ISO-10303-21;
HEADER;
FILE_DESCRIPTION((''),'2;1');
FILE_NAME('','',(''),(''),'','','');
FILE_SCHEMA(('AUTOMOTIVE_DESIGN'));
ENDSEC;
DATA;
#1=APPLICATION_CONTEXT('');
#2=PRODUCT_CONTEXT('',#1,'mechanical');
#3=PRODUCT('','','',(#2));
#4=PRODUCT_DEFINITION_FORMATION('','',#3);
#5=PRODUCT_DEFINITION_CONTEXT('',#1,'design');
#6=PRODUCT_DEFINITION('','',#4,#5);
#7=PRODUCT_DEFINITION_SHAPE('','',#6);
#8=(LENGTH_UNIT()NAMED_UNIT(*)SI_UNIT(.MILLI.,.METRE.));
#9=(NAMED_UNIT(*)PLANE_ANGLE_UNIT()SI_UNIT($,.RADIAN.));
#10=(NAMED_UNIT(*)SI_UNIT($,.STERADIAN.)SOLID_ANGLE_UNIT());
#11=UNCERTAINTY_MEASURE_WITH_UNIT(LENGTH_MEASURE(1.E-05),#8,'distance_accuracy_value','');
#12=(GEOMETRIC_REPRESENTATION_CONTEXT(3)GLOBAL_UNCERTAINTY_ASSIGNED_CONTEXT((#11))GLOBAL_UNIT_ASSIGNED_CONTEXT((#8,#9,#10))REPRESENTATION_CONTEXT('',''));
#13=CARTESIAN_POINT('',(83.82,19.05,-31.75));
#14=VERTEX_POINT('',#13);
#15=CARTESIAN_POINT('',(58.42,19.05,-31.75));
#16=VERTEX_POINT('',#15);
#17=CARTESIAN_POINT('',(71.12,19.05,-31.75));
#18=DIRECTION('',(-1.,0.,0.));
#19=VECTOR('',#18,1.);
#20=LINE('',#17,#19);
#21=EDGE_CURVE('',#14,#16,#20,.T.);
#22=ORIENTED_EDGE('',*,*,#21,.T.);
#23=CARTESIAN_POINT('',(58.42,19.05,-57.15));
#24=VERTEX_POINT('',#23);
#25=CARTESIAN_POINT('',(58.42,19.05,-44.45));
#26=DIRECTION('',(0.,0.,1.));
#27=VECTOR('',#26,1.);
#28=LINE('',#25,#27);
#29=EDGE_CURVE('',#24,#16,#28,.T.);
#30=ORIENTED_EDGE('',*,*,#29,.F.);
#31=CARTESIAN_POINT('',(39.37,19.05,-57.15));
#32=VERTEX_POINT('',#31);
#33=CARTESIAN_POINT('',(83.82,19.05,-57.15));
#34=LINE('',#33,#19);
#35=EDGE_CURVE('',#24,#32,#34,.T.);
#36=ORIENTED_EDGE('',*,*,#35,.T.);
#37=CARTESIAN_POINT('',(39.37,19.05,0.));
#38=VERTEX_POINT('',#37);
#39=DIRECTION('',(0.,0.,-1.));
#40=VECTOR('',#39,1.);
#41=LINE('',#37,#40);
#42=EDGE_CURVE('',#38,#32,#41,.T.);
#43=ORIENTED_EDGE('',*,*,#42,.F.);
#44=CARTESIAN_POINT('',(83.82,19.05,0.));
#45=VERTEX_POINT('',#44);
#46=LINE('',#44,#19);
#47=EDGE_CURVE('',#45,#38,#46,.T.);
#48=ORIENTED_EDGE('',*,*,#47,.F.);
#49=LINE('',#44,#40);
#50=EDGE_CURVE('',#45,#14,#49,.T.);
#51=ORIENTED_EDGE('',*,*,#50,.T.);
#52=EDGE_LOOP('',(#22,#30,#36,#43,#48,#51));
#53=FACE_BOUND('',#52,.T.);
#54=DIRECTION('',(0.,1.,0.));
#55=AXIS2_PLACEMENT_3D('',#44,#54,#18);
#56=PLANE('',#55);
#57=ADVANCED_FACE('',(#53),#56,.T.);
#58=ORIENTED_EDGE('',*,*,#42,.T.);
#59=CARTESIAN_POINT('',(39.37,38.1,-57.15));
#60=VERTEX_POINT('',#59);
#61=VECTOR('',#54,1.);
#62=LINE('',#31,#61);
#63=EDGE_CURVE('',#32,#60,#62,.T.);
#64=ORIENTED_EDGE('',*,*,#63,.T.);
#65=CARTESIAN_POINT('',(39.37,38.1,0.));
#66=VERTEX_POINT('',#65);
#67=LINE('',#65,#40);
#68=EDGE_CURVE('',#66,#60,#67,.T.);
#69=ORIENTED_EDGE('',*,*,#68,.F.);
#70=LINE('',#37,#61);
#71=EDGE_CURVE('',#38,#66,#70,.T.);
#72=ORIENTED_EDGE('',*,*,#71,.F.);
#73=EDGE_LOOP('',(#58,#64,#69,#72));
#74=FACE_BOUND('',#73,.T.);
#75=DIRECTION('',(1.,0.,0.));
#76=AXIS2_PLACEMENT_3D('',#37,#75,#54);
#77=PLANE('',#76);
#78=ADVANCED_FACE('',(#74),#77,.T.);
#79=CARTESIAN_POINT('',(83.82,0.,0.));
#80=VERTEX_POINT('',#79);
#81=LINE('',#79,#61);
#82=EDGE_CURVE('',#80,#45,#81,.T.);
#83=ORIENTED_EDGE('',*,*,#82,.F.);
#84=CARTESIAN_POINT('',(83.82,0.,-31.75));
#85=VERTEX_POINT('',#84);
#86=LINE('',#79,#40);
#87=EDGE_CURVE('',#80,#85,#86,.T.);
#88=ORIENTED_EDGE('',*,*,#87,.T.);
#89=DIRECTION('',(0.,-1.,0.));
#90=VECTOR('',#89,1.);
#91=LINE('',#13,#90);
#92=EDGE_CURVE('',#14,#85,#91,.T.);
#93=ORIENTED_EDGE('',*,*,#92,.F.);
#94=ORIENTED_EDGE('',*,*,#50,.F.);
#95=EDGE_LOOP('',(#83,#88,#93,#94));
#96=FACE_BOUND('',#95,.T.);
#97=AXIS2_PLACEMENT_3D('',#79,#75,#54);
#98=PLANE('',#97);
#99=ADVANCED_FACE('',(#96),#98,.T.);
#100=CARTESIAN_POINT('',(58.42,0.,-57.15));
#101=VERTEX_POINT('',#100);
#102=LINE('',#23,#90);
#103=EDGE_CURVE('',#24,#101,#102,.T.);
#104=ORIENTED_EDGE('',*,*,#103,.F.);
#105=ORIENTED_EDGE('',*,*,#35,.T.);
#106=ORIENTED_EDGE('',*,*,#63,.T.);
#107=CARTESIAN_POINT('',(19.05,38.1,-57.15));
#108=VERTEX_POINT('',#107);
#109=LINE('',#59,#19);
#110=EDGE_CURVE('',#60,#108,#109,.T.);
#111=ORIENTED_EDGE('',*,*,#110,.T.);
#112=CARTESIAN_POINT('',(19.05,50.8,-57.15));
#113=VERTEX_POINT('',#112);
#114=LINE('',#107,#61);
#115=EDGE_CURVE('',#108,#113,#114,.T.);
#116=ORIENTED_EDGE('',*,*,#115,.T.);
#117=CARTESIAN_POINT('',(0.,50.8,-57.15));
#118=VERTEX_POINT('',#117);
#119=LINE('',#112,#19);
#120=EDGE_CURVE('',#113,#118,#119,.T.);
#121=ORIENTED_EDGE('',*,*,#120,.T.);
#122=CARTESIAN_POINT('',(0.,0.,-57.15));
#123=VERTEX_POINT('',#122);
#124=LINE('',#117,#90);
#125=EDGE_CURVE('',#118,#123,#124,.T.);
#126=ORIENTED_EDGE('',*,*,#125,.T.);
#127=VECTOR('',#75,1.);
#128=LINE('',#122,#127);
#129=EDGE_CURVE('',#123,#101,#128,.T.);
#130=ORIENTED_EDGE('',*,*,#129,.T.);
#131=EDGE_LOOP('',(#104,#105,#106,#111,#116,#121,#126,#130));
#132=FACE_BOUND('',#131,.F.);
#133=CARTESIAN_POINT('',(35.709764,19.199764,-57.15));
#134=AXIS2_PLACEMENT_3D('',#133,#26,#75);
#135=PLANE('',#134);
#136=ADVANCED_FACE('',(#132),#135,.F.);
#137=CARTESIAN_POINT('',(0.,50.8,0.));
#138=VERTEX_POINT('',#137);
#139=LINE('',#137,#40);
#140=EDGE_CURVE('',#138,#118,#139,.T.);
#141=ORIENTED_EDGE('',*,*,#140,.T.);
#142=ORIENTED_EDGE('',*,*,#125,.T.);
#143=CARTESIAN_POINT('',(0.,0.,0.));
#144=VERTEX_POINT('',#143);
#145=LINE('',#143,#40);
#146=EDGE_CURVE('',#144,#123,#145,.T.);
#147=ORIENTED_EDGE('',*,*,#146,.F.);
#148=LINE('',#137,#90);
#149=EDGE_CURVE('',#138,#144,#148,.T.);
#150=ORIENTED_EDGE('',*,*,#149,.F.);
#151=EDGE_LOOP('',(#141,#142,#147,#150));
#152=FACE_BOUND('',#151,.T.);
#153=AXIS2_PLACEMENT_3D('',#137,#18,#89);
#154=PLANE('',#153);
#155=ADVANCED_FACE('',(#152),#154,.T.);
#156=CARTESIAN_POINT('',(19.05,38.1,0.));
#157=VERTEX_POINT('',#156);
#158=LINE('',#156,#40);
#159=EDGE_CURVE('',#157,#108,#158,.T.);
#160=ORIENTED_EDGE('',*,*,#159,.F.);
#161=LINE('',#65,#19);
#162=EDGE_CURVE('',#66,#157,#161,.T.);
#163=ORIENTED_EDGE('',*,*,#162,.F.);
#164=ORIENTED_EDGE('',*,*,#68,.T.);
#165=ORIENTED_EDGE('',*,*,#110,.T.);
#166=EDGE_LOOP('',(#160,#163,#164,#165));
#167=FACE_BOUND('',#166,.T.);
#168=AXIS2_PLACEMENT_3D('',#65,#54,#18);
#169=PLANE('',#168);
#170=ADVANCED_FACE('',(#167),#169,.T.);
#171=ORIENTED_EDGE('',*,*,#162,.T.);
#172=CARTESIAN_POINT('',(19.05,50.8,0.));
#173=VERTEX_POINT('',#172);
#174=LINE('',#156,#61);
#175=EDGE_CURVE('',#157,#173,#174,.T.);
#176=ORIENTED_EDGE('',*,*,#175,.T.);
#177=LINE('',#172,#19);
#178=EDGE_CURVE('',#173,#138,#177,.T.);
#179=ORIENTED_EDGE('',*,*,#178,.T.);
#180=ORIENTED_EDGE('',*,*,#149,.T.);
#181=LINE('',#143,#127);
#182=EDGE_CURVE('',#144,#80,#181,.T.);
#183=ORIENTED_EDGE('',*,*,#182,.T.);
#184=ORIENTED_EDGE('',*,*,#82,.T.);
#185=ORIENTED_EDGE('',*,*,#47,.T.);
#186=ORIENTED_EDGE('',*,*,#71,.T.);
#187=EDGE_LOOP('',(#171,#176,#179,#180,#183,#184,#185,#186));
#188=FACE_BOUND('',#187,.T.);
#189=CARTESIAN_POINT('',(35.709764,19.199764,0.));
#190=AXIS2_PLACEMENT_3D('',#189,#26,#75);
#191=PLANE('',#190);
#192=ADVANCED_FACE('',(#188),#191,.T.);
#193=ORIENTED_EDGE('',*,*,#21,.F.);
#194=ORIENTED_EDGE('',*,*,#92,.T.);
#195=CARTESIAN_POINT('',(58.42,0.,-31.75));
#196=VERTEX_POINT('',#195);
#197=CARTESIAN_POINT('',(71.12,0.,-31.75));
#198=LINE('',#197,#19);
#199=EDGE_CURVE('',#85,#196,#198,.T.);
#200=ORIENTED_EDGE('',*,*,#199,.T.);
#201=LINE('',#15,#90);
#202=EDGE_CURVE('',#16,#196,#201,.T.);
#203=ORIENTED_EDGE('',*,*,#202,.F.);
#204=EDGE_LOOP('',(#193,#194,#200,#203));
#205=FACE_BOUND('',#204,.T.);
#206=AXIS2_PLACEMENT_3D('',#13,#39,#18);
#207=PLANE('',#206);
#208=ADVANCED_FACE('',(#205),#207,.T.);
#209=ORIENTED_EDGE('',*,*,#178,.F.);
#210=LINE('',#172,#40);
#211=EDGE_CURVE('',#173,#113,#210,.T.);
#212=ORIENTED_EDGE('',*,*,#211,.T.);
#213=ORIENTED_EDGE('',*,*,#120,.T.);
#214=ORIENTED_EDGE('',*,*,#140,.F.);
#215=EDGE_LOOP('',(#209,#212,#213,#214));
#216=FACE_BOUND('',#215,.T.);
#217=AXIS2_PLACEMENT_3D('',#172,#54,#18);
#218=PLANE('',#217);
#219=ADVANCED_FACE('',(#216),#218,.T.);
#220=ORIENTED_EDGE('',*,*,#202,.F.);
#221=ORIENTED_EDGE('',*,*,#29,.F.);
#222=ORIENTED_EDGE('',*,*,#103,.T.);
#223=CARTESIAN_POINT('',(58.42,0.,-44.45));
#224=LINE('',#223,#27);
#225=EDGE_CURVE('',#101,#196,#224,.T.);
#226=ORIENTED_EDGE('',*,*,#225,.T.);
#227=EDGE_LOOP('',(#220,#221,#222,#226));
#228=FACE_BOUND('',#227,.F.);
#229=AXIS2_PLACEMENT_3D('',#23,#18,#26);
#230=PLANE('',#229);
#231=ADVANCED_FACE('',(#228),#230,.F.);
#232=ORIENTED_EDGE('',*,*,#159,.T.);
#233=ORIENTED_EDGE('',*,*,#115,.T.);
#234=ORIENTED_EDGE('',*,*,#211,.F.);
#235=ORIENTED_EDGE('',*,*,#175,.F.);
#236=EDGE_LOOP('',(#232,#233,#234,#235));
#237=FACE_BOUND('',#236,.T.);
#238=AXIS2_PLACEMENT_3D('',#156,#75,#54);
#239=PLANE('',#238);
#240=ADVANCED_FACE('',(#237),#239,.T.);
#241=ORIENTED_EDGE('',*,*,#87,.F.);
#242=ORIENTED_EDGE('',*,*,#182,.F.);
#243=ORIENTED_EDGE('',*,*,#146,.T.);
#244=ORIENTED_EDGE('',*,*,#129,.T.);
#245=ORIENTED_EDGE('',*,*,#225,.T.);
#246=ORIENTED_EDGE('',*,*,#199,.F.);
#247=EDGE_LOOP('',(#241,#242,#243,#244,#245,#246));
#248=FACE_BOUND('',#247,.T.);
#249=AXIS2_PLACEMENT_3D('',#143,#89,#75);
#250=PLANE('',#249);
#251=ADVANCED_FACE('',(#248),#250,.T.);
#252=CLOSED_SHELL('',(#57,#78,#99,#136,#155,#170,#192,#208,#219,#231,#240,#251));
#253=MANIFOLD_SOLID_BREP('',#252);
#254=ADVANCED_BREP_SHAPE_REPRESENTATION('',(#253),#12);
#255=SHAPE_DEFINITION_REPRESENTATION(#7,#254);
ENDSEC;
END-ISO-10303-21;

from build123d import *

# Parameters (mm, degrees)
F1_DEPTH = 57.15
F2_W     = 25.4
F2_H     = 25.4
F3_DEPTH = 19.05


with BuildPart() as f1:
    # F0 (on Top) → F1 (new body)
    with BuildSketch(Plane.XY):
        Polygon((0, 50.8), (0, 0), (83.82, 0), (83.82, 19.05), (39.37, 19.05), (39.37, 38.1), (19.05, 38.1), (19.05, 50.8), align=None)
    extrude(amount=-F1_DEPTH)

    # F2 (on face) → F3 (cut, through all)
    with BuildSketch(Plane(origin=(0, 19.05, 0), x_dir=(-1, 0, 0), z_dir=(0, 1, 0))):
        with Locations((-71.12, -44.45)):
            Rectangle(F2_W, F2_H)
    extrude(amount=-F3_DEPTH, mode=Mode.SUBTRACT)


solid = f1.part
